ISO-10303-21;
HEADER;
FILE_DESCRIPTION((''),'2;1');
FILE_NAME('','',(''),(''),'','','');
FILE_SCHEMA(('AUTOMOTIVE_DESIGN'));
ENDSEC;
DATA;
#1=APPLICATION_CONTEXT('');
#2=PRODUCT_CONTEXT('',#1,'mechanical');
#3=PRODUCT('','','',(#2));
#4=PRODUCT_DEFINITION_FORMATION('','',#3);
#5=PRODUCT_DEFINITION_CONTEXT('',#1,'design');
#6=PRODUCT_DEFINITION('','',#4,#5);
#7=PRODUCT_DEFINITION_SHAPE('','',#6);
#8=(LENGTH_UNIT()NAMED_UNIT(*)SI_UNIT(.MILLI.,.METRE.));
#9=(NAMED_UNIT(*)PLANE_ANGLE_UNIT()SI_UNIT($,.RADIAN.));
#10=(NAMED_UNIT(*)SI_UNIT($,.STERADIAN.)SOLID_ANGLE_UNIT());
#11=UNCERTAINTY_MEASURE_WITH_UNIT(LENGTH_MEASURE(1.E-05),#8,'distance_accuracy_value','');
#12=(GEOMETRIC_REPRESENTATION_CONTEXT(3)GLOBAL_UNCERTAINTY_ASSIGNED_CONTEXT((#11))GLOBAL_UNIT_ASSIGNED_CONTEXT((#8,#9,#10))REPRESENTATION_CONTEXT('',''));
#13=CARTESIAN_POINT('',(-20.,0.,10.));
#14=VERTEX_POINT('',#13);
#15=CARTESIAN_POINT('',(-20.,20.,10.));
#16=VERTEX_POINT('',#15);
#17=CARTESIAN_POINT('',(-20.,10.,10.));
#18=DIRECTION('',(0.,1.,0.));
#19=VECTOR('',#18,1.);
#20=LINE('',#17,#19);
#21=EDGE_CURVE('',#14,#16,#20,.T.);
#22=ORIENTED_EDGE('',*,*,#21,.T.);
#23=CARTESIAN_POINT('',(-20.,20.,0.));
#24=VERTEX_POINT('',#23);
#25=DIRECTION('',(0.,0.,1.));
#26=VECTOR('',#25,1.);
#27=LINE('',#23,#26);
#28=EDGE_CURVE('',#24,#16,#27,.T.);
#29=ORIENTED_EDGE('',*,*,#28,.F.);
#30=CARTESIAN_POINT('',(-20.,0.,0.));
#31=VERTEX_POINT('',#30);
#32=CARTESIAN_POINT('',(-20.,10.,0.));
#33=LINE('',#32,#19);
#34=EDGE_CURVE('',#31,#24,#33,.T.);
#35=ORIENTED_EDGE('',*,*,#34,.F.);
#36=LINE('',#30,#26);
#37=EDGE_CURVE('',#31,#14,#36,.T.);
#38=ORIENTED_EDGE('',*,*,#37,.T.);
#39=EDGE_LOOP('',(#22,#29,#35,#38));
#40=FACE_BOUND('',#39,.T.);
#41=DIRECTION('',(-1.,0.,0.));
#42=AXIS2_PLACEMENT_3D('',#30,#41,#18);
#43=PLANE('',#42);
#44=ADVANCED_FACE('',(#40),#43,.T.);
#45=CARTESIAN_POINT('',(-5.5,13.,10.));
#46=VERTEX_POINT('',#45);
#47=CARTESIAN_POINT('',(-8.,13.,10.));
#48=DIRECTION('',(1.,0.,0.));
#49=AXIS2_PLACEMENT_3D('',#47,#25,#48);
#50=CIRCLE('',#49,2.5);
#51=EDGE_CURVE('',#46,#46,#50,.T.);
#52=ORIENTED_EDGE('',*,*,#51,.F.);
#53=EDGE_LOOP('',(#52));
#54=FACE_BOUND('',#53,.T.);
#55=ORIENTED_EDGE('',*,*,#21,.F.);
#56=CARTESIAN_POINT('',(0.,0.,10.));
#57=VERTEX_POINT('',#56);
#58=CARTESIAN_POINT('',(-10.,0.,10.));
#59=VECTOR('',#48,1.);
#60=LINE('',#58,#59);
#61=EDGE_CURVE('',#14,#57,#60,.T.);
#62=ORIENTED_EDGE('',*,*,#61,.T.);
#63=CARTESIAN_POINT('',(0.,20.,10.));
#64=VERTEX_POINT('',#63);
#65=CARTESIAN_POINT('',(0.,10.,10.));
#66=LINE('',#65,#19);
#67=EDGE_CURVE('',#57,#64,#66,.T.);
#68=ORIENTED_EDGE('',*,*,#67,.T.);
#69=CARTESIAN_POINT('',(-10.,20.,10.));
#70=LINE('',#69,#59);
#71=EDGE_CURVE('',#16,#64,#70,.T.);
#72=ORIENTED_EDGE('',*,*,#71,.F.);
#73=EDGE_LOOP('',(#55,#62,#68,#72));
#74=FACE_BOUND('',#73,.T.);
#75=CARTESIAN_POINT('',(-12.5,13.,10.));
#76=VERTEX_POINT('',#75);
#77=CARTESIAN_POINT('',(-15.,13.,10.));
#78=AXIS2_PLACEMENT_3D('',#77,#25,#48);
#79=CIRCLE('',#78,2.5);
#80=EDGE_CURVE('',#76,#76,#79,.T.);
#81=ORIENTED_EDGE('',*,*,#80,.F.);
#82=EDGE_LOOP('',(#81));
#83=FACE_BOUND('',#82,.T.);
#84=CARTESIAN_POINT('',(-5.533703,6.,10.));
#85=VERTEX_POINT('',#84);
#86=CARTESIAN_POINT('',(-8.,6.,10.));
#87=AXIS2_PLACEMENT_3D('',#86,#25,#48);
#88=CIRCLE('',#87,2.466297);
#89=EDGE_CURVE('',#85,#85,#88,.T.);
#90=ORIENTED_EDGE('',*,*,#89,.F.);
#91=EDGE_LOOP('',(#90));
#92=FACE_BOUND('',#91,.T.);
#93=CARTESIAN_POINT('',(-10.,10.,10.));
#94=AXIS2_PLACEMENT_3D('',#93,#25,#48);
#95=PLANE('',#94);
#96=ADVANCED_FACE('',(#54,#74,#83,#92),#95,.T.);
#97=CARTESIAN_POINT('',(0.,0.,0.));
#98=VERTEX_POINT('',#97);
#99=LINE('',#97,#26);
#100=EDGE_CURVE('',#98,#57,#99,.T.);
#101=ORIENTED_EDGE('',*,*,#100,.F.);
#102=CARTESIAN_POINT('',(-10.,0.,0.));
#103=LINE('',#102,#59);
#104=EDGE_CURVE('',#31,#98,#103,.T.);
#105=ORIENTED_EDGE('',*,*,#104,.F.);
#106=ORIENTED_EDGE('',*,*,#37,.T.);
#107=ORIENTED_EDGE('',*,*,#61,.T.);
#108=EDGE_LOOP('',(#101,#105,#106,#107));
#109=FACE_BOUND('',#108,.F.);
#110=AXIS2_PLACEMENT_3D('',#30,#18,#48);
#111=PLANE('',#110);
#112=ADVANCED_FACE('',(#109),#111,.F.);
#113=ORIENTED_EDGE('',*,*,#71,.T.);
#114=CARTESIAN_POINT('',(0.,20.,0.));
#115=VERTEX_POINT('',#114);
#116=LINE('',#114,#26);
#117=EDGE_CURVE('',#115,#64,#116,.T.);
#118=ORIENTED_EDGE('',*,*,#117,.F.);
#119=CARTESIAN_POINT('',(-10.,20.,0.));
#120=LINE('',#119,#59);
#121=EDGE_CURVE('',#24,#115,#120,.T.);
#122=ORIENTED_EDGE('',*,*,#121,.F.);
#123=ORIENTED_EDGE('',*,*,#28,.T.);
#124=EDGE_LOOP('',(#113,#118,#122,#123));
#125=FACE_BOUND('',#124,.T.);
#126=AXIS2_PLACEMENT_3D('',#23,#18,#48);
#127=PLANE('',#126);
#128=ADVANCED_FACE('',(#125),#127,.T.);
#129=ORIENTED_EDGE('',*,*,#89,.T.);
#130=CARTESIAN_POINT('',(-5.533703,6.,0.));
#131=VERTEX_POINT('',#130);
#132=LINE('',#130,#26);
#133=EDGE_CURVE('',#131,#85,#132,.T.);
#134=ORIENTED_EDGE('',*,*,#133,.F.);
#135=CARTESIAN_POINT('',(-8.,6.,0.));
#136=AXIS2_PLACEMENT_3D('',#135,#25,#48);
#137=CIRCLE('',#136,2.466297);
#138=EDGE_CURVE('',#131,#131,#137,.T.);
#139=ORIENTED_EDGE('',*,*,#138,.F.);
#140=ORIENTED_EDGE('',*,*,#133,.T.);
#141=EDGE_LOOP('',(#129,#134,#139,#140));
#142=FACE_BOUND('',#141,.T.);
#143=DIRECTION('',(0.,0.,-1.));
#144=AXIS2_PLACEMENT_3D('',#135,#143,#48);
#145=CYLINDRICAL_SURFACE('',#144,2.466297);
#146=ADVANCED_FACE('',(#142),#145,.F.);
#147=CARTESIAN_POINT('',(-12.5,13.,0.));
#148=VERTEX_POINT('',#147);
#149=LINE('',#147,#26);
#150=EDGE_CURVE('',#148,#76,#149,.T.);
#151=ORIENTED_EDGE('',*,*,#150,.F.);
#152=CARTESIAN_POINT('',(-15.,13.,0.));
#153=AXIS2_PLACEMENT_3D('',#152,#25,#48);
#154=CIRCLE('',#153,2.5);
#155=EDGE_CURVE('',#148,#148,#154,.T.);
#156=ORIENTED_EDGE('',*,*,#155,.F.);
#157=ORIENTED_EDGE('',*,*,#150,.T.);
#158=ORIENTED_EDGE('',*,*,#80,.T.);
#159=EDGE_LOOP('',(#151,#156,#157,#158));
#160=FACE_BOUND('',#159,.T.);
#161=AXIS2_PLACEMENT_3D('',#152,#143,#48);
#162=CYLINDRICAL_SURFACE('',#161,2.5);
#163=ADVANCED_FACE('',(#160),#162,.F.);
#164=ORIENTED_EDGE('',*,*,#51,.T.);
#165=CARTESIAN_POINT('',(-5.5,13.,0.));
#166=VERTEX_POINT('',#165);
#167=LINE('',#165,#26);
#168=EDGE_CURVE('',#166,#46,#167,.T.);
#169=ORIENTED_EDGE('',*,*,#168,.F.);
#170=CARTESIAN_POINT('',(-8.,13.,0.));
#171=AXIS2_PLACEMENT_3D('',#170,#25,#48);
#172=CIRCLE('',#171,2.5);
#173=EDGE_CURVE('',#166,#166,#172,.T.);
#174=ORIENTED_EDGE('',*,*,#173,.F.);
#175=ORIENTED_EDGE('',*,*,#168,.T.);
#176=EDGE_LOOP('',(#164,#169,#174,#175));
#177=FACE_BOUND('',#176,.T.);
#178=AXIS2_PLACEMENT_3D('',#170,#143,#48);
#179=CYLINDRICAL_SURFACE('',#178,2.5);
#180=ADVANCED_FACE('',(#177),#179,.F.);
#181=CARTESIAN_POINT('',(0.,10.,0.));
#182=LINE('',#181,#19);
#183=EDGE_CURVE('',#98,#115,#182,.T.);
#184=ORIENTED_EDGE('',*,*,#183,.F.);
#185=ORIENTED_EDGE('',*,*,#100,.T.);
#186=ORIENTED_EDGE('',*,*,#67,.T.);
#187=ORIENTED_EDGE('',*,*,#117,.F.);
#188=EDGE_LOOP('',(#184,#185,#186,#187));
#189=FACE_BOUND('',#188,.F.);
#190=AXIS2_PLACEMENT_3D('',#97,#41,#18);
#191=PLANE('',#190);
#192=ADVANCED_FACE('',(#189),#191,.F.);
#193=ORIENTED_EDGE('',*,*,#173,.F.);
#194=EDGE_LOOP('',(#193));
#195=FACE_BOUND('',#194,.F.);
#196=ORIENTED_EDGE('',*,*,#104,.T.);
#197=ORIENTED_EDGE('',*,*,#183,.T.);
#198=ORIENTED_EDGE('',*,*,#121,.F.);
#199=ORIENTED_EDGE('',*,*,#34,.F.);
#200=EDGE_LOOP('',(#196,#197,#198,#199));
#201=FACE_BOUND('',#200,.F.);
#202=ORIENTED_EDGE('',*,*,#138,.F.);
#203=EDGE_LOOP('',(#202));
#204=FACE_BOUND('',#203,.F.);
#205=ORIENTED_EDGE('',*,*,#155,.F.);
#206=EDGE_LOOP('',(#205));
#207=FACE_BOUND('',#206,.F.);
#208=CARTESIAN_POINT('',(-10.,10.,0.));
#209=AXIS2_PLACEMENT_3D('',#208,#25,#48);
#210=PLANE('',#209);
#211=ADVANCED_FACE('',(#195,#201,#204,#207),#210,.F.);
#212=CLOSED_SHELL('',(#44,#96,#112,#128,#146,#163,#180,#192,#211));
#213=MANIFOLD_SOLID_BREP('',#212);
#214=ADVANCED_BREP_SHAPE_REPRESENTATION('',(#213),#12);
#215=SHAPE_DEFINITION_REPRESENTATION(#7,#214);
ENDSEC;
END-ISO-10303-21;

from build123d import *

# Parameters (mm, degrees)
F0_W     = 20
F0_H     = 20
F0_R     = 2.466297
F0_R_2   = 2.5
F1_DEPTH = 10


with BuildPart() as f1:
    # F0 (on Top) → F1 (new body)
    with BuildSketch(Plane.XY):
        with Locations((-10, 10)):
            Rectangle(F0_W, F0_H)
        with Locations((-8, 6)):
            Circle(F0_R, mode=Mode.SUBTRACT)
        with Locations((-15, 13)):
            Circle(F0_R_2, mode=Mode.SUBTRACT)
        with Locations((-8, 13)):
            Circle(F0_R_2, mode=Mode.SUBTRACT)
    extrude(amount=F1_DEPTH)


solid = f1.part
